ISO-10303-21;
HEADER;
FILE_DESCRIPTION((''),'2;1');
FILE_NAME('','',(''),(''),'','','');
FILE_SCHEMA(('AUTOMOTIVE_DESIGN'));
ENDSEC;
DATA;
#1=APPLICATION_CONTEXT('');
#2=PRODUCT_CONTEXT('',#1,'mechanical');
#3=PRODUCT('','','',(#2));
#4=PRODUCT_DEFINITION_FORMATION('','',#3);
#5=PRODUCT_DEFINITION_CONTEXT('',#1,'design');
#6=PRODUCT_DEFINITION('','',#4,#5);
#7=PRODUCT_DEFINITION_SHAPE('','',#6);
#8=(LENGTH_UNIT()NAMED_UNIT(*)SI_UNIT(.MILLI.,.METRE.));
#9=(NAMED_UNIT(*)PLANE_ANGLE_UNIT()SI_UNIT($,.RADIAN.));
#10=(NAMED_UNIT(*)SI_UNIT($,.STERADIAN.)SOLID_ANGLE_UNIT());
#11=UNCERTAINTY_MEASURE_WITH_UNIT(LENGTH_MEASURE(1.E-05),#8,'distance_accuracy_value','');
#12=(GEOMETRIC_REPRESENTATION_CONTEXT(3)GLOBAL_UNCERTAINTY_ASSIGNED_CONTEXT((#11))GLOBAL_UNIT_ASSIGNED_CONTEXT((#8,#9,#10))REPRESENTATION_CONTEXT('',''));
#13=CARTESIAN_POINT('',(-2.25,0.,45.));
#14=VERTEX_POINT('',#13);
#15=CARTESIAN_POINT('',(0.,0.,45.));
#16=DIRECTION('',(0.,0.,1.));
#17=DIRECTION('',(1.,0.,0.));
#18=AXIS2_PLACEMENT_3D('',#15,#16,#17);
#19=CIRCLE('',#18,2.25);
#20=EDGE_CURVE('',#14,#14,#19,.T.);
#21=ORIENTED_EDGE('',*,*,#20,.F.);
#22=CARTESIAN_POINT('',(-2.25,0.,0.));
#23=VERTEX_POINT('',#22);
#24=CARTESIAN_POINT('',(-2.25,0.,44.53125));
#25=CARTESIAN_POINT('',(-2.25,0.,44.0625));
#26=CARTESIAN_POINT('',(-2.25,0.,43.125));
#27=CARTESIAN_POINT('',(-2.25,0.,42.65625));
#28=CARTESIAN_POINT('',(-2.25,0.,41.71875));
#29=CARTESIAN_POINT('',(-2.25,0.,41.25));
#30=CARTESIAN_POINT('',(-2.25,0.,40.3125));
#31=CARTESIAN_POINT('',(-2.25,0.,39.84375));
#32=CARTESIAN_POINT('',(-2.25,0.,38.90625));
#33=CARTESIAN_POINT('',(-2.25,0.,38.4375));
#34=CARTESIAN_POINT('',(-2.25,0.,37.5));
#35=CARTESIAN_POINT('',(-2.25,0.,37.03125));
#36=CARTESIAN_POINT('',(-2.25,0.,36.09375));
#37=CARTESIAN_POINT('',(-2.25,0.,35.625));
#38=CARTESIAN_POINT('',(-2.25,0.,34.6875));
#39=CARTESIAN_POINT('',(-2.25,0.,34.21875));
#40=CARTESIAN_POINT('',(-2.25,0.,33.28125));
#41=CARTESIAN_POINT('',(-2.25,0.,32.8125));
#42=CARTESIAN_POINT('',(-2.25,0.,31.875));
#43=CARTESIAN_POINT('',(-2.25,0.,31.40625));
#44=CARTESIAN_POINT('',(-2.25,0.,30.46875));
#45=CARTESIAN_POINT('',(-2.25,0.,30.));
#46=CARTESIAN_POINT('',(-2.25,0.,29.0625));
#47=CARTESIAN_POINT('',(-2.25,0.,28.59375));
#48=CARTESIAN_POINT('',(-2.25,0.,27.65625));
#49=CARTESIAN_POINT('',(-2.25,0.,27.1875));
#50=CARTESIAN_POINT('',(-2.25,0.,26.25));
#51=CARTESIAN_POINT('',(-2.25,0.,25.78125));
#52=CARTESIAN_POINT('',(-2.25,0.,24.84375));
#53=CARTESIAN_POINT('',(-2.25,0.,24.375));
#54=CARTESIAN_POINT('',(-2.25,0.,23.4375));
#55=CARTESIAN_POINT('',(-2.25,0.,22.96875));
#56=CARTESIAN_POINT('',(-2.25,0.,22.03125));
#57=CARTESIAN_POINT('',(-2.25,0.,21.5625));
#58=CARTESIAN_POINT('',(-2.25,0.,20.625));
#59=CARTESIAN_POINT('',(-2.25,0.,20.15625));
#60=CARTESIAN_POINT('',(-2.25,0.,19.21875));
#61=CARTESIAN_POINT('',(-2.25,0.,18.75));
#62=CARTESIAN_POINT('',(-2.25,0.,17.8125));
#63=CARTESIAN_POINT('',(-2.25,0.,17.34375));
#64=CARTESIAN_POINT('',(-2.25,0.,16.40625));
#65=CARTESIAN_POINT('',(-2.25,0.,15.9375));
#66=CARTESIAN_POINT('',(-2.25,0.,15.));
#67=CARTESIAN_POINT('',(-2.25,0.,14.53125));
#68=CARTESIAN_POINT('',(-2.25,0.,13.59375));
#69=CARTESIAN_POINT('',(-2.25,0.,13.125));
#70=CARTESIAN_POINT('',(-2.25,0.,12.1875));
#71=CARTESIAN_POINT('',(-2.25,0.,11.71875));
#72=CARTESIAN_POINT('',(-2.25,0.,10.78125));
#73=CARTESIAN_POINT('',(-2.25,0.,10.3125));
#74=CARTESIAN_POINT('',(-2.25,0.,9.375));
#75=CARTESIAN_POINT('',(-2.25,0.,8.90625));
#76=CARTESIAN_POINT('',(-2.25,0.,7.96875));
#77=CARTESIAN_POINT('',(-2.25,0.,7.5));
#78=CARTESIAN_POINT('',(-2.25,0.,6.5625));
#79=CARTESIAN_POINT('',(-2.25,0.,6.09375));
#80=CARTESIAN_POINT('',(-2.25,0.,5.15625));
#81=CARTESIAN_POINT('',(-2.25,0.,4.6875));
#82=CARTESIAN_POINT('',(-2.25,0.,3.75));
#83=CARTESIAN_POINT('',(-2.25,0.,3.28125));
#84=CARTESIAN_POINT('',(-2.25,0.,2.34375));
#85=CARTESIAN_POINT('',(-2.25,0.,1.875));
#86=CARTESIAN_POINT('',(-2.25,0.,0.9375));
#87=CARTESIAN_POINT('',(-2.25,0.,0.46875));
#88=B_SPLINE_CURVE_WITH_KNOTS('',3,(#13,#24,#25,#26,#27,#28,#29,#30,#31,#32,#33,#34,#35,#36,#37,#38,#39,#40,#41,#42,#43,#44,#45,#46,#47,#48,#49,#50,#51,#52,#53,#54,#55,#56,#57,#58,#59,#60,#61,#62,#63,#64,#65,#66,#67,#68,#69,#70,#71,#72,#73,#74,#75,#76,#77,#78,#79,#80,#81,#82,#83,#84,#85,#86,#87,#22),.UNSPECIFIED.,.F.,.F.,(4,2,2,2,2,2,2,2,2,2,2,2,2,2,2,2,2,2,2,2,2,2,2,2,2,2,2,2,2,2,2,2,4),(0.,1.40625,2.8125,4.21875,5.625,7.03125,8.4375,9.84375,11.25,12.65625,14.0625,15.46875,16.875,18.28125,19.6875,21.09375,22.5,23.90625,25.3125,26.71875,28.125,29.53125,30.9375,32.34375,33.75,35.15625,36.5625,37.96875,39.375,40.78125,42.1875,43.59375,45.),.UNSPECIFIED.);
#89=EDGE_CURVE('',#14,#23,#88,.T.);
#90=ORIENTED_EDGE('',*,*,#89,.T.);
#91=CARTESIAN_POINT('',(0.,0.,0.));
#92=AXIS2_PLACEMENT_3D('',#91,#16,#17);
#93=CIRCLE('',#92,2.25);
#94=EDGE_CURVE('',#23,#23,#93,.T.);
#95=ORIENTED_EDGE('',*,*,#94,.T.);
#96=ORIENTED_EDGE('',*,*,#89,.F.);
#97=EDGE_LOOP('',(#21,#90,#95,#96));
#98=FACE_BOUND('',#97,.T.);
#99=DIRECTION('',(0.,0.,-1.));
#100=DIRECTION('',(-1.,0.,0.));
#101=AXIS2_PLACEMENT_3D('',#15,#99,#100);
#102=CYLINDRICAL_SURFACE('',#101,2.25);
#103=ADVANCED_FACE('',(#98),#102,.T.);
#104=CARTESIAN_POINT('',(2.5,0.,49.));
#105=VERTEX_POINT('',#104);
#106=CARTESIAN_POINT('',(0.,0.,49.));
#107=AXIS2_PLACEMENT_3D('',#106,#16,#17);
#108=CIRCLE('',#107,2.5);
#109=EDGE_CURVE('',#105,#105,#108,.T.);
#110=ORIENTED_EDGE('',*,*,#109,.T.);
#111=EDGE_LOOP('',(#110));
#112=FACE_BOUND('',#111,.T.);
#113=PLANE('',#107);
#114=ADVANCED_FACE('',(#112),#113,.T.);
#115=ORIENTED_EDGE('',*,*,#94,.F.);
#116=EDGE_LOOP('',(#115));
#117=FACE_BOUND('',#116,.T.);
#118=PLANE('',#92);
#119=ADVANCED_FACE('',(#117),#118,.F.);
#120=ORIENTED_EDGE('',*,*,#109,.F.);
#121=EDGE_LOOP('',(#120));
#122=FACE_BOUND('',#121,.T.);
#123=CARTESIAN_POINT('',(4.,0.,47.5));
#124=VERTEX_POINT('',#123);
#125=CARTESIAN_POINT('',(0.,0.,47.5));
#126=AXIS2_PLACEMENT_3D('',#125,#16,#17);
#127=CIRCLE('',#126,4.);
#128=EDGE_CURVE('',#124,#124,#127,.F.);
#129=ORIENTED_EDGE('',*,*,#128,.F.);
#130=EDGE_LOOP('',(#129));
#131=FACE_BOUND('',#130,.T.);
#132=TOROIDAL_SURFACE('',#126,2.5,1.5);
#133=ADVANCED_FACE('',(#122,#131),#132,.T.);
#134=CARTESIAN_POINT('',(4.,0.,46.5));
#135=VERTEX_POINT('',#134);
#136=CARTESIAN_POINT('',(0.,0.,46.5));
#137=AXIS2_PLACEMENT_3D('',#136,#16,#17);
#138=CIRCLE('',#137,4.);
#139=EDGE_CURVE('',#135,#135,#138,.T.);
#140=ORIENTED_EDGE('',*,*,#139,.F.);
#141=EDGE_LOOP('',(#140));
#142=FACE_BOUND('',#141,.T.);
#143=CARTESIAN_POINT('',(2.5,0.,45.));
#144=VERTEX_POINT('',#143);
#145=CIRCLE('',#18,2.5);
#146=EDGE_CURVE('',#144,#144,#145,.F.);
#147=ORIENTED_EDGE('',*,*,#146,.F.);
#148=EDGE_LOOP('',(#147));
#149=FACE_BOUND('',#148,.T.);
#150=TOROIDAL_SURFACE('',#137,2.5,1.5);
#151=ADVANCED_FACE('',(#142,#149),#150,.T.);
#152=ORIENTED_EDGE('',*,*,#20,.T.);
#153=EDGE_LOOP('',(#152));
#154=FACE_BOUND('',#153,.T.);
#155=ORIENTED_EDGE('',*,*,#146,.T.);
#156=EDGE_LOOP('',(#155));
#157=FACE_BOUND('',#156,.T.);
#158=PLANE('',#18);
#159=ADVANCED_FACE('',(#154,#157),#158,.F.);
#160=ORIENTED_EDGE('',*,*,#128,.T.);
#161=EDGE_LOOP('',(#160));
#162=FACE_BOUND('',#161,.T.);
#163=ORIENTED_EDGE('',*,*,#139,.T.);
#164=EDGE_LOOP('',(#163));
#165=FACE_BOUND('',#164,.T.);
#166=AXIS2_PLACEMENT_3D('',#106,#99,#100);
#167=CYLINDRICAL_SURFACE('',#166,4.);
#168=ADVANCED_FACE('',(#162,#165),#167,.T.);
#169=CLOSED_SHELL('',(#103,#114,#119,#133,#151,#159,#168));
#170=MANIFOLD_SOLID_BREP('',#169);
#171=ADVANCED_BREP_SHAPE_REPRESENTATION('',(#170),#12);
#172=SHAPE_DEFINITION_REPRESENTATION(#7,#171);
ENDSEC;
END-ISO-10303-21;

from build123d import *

# Parameters (mm, degrees)
SKETCH1_R           = 2.25
BOSS_EXTRUDE1_DEPTH = 45
SKETCH2_R           = 4
BOSS_EXTRUDE2_DEPTH = 4
FILLET1_R           = 1.5


with BuildPart() as part:
    # Sketch1 → Boss-Extrude1 (new body)
    with BuildSketch(Plane.XY):
        with Locations(Location((0, 0, 0), (0, 0, 180))):
            Circle(SKETCH1_R)
    extrude(amount=BOSS_EXTRUDE1_DEPTH)

    # Sketch2 → Boss-Extrude2 (add)
    with BuildSketch(Plane.XY.offset(45)):
        Circle(SKETCH2_R)
    extrude(amount=BOSS_EXTRUDE2_DEPTH)

    # Fillet1
    fillet1_edges = [part.edges().sort_by_distance(p)[0] for p in [
        (-4, 0, 45),
        (-4, 0, 49),
    ]]
    fillet(fillet1_edges, radius=FILLET1_R)


solid = part.part
